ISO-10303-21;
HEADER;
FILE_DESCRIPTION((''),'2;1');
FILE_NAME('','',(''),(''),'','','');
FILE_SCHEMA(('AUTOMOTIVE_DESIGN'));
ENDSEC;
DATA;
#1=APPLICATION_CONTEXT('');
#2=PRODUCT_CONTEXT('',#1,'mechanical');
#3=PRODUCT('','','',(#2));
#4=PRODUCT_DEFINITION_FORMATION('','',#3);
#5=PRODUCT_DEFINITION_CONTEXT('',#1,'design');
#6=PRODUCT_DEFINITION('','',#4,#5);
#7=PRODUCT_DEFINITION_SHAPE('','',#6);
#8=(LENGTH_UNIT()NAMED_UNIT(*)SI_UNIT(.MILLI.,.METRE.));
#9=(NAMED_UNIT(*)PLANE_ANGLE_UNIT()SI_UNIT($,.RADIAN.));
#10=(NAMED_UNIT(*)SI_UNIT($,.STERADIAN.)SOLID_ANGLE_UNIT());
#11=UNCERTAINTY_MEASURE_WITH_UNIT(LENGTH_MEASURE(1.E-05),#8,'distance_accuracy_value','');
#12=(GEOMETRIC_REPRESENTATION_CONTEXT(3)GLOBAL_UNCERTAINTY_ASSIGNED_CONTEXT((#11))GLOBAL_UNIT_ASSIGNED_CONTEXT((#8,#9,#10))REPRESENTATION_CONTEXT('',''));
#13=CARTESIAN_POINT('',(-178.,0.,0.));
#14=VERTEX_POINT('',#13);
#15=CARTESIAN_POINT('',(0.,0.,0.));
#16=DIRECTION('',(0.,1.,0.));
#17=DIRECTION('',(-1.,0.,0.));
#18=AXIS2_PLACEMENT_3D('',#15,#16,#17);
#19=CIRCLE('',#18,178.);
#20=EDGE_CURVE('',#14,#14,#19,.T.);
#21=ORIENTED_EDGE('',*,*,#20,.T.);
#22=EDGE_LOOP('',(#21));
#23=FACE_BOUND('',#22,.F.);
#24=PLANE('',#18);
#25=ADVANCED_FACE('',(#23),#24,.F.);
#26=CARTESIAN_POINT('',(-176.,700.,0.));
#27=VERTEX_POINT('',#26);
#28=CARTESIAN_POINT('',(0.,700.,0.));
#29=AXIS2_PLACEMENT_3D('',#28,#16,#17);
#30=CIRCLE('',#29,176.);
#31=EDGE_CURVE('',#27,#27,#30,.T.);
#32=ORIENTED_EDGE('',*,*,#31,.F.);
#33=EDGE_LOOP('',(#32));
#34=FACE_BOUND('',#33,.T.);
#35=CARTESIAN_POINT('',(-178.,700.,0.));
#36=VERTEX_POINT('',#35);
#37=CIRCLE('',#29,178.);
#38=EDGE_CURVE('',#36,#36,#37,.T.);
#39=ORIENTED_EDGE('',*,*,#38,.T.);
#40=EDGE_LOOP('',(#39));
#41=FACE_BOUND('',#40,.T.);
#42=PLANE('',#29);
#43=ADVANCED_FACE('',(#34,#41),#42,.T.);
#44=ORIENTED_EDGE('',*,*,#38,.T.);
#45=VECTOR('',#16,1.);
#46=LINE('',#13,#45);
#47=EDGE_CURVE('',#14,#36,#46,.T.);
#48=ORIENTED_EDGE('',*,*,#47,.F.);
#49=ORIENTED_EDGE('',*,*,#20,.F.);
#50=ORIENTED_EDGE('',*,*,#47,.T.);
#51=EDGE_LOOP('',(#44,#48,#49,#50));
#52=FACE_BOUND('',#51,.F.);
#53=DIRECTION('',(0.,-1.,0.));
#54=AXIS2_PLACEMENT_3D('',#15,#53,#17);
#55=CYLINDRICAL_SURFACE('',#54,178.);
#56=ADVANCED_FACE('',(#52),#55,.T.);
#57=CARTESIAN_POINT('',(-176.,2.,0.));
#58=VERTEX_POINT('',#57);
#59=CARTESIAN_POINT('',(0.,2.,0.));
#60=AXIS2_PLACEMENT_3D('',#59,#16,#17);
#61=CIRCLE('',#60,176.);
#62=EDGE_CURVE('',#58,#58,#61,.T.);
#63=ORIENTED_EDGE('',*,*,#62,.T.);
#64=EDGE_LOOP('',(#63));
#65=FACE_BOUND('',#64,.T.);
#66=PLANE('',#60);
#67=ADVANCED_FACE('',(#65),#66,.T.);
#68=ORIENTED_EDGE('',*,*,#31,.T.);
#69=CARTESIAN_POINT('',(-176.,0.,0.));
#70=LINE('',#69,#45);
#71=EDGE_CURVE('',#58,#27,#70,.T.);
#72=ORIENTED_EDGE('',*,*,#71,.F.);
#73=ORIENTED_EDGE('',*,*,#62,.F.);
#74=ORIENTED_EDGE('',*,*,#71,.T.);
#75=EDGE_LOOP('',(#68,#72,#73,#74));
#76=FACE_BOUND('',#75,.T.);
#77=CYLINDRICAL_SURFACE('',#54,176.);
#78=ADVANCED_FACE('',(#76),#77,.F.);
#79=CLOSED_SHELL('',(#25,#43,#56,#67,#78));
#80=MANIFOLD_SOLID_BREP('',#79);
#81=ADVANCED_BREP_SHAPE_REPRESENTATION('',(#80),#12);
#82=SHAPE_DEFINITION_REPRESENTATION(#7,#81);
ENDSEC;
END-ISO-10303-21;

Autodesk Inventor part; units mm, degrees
ref_plane "YZ Plane" through (0, 0, 0) normal (1, 0, 0) x (0, 1, 0)
ref_plane "XZ Plane" through (0, 0, 0) normal (0, 1, 0) x (-1, 0, 0)
ref_plane "XY Plane" through (0, 0, 0) normal (0, 0, 1) x (1, 0, 0)
sketch "Sketch1" plane through (0, 0, 0) normal (0, 1, 0) x (-1, 0, 0)
  circle A0 centre (0, 0) radius 178
  circle A1 centre (0, 0) radius 176
  dimension "d0" = 356
  dimension "d1" = 352
extrude "Extrusion1" add sketch "Sketch1" along normal blind 2 contours A1
extrude "Extrusion2" add sketch "Sketch1" along normal blind 700
properties part number "barrel"
